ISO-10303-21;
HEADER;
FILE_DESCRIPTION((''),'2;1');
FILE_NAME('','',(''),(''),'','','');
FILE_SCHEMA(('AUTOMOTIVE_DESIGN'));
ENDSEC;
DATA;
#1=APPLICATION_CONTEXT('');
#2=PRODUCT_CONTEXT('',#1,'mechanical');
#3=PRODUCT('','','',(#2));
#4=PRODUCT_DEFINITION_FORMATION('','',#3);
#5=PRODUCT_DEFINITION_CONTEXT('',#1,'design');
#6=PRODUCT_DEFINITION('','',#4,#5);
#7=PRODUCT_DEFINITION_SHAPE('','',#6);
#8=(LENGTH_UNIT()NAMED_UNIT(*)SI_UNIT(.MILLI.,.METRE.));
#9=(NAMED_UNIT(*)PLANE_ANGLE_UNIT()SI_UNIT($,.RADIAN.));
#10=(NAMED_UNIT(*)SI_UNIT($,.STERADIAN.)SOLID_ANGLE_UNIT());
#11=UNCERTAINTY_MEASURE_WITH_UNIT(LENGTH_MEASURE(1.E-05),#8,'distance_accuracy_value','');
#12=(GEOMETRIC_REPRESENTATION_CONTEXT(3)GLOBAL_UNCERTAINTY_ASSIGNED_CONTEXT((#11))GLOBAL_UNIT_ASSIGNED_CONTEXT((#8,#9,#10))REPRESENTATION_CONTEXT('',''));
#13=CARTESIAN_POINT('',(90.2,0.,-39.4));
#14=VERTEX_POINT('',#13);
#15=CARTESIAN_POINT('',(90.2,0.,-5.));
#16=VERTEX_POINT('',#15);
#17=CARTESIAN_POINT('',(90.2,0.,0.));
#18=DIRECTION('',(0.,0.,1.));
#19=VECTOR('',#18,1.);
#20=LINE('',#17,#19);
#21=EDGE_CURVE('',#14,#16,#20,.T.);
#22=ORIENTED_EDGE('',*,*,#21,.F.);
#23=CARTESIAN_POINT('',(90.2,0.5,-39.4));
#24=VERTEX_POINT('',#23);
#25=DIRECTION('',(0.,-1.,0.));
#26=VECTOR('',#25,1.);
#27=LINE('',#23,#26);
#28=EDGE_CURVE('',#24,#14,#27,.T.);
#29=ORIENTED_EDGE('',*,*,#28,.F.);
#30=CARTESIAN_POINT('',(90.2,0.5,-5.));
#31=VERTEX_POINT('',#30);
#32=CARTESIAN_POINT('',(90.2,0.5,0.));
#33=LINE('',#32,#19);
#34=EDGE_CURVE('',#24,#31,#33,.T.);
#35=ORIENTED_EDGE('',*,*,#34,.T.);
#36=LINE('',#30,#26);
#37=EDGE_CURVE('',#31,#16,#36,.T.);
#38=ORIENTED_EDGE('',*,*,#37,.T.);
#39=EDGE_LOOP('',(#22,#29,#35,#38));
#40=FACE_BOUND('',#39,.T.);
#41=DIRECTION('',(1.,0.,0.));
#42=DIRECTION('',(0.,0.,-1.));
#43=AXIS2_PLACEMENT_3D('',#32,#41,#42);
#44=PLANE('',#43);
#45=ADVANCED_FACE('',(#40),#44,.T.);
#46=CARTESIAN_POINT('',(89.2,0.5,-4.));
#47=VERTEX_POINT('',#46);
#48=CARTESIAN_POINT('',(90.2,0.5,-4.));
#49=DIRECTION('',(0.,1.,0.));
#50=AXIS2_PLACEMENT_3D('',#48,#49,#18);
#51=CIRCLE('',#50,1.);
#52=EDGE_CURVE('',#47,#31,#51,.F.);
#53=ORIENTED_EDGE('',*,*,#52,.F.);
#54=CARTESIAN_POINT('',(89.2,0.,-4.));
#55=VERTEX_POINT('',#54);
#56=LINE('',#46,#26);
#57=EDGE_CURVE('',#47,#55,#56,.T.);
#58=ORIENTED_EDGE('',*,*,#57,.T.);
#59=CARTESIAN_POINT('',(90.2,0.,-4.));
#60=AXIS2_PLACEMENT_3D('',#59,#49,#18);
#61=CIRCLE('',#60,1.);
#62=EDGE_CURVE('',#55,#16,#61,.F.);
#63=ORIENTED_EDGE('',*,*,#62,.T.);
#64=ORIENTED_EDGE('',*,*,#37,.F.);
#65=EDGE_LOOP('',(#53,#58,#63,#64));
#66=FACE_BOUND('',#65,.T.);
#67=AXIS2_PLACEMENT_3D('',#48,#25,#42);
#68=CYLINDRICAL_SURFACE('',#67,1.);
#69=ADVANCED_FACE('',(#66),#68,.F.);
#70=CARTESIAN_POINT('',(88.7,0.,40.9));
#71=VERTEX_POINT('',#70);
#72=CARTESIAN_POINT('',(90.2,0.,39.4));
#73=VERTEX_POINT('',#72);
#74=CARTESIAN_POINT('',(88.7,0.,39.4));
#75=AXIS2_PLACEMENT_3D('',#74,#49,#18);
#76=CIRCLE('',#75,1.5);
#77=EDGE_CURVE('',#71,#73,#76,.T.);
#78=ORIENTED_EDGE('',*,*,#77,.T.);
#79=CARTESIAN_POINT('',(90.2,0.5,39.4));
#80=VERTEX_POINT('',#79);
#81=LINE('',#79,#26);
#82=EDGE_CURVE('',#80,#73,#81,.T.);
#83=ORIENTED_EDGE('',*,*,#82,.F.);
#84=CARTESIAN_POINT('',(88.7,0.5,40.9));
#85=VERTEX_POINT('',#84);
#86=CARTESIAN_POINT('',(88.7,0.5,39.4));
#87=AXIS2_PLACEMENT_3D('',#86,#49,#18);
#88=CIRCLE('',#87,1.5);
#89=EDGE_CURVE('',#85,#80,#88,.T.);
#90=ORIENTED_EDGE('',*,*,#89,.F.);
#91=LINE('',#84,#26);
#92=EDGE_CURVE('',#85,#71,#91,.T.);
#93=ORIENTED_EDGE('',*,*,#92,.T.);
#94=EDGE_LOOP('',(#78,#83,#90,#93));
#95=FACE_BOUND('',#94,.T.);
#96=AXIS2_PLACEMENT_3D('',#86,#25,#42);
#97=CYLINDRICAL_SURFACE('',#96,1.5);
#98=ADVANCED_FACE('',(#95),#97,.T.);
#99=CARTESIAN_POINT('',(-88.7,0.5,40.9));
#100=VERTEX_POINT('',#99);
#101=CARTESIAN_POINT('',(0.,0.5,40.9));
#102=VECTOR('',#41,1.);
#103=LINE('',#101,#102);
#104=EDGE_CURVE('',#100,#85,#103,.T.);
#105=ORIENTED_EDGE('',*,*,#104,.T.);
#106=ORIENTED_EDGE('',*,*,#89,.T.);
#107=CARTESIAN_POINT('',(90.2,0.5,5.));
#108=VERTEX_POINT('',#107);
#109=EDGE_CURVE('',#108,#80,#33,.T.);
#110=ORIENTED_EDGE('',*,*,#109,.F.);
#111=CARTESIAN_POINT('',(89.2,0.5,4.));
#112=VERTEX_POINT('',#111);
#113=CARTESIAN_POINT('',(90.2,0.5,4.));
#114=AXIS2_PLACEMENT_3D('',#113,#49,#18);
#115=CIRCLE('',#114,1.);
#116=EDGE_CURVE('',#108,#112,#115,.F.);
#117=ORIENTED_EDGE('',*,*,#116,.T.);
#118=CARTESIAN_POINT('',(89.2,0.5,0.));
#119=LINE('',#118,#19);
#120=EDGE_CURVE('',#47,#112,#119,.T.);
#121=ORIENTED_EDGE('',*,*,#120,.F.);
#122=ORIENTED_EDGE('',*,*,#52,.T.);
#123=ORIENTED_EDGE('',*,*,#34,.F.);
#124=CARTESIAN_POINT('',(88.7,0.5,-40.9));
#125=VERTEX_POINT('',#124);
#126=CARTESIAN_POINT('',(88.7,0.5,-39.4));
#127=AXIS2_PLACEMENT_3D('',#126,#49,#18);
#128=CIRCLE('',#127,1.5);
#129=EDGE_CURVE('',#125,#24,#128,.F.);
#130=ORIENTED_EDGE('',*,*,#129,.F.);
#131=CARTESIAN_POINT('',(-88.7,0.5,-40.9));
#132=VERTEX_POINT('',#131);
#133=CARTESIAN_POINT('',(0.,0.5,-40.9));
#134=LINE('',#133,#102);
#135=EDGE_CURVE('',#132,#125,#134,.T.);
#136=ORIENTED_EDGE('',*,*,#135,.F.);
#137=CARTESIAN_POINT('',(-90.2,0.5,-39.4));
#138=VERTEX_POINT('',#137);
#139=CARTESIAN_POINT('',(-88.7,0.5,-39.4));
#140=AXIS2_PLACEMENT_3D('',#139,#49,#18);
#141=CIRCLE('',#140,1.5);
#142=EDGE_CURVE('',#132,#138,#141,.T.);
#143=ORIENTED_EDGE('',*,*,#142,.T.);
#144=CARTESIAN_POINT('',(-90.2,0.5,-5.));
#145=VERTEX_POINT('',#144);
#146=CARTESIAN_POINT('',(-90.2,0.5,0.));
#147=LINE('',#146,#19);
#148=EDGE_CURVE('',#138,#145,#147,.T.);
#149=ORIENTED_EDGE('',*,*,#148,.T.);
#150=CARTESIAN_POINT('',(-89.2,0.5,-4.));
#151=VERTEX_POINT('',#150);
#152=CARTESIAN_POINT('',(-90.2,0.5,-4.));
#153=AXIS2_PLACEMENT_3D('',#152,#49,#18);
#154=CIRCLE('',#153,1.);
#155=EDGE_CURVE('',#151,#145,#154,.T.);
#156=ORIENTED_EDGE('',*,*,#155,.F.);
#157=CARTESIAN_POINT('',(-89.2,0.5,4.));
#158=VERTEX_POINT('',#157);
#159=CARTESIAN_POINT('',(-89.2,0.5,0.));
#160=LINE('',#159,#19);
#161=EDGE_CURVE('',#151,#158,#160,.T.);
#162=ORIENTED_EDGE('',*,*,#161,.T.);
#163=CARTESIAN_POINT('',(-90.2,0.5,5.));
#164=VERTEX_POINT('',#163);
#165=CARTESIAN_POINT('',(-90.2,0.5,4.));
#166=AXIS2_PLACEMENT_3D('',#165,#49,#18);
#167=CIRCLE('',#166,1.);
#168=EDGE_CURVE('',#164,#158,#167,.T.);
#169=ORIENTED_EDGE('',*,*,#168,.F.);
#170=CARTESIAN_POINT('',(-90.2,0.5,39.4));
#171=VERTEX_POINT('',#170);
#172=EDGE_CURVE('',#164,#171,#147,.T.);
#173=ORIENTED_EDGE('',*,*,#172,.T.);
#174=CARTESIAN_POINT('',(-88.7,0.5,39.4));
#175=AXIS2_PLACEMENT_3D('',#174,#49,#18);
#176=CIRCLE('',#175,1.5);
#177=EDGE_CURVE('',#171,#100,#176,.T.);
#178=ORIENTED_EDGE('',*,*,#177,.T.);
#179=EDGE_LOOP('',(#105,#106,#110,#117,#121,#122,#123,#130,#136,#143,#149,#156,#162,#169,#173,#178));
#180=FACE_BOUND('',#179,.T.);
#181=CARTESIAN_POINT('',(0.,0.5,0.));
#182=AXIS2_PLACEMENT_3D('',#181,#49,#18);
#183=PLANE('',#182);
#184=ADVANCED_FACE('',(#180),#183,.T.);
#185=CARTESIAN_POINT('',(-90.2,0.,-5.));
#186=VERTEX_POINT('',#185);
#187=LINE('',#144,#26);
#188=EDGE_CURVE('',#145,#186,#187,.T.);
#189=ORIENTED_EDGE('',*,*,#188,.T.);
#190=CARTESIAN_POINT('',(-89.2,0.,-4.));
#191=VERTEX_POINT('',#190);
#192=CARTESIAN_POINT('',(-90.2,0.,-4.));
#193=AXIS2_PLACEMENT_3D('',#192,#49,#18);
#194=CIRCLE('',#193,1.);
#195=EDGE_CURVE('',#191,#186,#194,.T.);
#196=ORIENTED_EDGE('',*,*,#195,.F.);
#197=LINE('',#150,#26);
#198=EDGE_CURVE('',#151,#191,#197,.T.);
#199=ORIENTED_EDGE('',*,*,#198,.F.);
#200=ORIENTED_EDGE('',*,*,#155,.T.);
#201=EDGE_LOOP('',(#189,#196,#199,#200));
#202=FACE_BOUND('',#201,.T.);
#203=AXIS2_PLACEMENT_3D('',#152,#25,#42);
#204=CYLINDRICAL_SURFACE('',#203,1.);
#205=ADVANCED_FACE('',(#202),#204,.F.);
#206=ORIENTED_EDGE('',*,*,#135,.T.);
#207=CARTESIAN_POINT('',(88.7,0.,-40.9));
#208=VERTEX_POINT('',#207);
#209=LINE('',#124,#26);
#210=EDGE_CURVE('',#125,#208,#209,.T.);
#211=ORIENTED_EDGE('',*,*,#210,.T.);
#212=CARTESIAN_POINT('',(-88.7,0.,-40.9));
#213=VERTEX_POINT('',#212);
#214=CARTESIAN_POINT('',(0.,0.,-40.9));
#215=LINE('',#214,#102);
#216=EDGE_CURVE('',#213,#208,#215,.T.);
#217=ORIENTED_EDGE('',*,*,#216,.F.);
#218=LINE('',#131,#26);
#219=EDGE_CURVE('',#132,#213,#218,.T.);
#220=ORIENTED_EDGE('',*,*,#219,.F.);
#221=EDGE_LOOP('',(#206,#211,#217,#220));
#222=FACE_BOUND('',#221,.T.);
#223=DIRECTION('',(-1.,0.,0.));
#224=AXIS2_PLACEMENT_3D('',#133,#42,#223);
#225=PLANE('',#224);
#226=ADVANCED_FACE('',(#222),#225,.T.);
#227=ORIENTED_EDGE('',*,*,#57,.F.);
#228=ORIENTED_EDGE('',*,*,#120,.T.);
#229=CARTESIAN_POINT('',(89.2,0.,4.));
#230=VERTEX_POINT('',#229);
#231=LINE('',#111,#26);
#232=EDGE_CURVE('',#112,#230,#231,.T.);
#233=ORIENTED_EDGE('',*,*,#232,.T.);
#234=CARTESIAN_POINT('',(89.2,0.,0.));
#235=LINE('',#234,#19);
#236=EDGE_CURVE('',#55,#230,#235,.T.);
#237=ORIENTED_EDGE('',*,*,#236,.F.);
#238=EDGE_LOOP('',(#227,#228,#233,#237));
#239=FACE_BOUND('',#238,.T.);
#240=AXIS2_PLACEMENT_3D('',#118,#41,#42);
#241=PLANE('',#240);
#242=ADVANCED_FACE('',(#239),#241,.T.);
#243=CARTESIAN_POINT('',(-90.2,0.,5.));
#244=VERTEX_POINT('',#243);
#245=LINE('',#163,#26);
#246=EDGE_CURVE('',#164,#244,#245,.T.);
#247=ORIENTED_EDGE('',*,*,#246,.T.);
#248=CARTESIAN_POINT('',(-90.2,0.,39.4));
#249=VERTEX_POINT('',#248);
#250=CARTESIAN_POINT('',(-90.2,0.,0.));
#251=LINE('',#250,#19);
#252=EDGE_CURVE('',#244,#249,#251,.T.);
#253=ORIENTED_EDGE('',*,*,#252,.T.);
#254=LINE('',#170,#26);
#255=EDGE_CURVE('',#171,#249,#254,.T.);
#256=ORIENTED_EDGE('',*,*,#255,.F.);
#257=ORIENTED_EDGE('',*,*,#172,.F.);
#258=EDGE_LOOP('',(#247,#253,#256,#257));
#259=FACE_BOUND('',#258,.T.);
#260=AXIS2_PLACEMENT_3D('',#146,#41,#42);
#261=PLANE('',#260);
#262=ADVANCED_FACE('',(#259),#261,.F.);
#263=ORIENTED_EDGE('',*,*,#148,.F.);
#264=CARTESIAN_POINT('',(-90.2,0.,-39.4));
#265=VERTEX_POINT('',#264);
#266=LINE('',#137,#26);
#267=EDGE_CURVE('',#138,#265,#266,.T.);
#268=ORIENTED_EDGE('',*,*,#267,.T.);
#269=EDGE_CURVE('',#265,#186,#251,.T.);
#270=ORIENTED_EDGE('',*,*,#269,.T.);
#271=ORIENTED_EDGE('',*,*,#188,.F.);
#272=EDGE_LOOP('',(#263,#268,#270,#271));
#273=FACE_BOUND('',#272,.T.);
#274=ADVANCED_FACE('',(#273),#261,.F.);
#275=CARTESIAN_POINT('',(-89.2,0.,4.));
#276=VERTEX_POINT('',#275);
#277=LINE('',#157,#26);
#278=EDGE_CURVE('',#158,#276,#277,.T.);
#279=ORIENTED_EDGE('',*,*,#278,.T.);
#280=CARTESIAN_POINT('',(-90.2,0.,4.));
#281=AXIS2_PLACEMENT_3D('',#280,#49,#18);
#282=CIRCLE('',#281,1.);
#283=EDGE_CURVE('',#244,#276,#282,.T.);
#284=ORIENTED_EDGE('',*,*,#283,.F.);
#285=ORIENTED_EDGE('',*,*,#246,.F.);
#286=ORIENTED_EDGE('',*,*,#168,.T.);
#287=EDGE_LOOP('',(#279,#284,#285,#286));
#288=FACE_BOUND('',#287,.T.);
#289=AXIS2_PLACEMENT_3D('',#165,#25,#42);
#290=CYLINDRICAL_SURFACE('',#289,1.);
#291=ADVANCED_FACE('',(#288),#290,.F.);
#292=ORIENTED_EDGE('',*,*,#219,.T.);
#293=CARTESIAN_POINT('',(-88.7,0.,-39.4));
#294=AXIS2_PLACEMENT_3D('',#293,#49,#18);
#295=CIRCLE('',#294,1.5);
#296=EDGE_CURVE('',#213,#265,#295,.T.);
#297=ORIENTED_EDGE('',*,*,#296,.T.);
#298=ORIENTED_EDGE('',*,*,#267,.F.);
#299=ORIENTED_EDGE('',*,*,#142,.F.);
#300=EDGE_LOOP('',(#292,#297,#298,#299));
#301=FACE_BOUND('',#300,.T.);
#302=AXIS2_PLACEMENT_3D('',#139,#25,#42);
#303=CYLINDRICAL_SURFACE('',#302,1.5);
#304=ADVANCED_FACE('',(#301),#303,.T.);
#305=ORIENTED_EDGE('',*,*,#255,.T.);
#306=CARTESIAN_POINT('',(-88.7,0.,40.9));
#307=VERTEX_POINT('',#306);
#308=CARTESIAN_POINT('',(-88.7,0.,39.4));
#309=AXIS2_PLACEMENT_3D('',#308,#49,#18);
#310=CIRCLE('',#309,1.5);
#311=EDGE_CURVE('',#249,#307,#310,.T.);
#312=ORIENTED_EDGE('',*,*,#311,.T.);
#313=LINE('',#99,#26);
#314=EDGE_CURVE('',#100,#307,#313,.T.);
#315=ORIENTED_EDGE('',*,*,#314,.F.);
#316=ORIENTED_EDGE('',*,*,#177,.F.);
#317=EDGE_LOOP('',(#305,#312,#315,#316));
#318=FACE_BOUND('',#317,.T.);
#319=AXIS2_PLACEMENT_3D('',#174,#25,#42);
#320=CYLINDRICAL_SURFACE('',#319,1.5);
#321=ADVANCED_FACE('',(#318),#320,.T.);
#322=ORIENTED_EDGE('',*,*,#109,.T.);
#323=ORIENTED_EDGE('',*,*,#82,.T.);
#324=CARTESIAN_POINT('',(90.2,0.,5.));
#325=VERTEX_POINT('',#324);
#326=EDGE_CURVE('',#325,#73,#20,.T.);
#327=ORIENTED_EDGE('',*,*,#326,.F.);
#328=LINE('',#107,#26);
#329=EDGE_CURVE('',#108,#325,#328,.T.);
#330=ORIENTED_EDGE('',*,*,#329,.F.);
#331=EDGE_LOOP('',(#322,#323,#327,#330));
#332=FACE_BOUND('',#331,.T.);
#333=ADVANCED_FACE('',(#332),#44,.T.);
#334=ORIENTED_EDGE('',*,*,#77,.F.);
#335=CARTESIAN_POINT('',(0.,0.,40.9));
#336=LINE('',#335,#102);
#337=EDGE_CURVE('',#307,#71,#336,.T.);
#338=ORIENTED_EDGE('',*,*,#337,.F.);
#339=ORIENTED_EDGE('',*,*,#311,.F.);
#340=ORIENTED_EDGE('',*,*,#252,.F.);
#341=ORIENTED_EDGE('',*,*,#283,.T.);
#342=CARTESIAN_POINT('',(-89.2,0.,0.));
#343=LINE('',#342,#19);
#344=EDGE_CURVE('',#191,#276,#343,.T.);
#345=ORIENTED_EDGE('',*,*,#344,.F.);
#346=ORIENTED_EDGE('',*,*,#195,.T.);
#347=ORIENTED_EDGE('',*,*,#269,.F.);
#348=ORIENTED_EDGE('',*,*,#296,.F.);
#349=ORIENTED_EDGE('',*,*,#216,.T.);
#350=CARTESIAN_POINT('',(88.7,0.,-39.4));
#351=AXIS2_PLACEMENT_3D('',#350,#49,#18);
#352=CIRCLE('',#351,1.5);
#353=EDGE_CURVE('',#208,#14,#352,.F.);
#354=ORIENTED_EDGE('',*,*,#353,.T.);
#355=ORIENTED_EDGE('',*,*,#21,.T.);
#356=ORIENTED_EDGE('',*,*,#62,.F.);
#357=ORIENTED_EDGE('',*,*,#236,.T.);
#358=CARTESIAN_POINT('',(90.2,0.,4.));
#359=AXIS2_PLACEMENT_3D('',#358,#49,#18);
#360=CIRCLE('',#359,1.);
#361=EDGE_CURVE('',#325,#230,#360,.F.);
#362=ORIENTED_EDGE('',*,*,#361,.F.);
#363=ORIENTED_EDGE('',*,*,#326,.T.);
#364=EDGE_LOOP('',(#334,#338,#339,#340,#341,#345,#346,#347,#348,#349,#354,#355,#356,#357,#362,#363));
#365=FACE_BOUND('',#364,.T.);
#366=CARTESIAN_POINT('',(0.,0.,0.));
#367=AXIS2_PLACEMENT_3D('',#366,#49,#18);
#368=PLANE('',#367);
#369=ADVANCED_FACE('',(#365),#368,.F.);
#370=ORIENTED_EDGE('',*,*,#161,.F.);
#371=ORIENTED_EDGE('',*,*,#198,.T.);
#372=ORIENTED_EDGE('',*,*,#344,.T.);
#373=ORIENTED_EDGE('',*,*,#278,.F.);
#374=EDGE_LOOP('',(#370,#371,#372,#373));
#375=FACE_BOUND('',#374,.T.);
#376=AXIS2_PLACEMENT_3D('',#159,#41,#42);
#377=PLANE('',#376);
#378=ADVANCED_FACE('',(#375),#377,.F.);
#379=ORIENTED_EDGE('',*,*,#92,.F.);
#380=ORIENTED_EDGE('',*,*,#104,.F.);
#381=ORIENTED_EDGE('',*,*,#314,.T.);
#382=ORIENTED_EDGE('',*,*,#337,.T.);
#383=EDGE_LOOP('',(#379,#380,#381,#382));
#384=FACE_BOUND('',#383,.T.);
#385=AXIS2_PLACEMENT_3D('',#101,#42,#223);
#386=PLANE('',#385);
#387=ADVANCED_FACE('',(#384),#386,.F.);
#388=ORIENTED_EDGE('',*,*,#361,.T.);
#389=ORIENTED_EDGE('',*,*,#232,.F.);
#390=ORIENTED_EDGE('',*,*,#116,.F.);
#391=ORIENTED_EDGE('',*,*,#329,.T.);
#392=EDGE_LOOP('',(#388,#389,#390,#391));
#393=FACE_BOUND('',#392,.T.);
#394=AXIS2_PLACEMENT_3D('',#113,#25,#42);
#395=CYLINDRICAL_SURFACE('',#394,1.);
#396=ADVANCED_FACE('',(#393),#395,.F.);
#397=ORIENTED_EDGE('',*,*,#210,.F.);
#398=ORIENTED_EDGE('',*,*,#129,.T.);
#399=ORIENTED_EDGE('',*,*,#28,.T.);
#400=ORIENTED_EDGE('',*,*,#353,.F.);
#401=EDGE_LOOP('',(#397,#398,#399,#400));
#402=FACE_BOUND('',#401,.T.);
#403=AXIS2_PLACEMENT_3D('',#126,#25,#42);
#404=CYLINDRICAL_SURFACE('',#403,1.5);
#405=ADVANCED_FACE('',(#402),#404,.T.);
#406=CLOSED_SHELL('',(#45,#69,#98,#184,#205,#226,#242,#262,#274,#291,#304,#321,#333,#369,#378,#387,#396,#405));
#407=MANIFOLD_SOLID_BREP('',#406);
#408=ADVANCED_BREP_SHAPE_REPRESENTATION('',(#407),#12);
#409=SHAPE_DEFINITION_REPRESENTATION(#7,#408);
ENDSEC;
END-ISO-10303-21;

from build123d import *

# Parameters (mm, degrees)
SHAPE_DEPTH = 0.5


with BuildPart() as part:
    # Sketch1 → Shape (new body)
    with BuildSketch(Plane(origin=(0, 0, 0), x_dir=(1, 0, 0), z_dir=(0, 1, 0))):
        with BuildLine():
            Line((88.7, 40.9), (-88.7, 40.9))
            ThreePointArc((-88.7, 40.9), (-89.760660172, 40.460660172), (-90.2, 39.4))
            Line((-90.2, 39.4), (-90.2, 5))
            ThreePointArc((-90.2, 5), (-89.492893219, 4.707106781), (-89.2, 4))
            Line((-89.2, 4), (-89.2, -4))
            ThreePointArc((-89.2, -4), (-89.492893219, -4.707106781), (-90.2, -5))
            Line((-90.2, -5), (-90.2, -39.4))
            ThreePointArc((-90.2, -39.4), (-89.760660172, -40.460660172), (-88.7, -40.9))
            Line((-88.7, -40.9), (88.7, -40.9))
            ThreePointArc((88.7, -40.9), (89.760660172, -40.460660172), (90.2, -39.4))
            Line((90.2, -39.4), (90.2, -5))
            ThreePointArc((90.2, -5), (89.492893219, -4.707106781), (89.2, -4))
            Line((89.2, -4), (89.2, 4))
            ThreePointArc((89.2, 4), (89.492893219, 4.707106781), (90.2, 5))
            Line((90.2, 5), (90.2, 39.4))
            ThreePointArc((90.2, 39.4), (89.760660172, 40.460660172), (88.7, 40.9))
        make_face()
    extrude(amount=SHAPE_DEPTH)


solid = part.part
